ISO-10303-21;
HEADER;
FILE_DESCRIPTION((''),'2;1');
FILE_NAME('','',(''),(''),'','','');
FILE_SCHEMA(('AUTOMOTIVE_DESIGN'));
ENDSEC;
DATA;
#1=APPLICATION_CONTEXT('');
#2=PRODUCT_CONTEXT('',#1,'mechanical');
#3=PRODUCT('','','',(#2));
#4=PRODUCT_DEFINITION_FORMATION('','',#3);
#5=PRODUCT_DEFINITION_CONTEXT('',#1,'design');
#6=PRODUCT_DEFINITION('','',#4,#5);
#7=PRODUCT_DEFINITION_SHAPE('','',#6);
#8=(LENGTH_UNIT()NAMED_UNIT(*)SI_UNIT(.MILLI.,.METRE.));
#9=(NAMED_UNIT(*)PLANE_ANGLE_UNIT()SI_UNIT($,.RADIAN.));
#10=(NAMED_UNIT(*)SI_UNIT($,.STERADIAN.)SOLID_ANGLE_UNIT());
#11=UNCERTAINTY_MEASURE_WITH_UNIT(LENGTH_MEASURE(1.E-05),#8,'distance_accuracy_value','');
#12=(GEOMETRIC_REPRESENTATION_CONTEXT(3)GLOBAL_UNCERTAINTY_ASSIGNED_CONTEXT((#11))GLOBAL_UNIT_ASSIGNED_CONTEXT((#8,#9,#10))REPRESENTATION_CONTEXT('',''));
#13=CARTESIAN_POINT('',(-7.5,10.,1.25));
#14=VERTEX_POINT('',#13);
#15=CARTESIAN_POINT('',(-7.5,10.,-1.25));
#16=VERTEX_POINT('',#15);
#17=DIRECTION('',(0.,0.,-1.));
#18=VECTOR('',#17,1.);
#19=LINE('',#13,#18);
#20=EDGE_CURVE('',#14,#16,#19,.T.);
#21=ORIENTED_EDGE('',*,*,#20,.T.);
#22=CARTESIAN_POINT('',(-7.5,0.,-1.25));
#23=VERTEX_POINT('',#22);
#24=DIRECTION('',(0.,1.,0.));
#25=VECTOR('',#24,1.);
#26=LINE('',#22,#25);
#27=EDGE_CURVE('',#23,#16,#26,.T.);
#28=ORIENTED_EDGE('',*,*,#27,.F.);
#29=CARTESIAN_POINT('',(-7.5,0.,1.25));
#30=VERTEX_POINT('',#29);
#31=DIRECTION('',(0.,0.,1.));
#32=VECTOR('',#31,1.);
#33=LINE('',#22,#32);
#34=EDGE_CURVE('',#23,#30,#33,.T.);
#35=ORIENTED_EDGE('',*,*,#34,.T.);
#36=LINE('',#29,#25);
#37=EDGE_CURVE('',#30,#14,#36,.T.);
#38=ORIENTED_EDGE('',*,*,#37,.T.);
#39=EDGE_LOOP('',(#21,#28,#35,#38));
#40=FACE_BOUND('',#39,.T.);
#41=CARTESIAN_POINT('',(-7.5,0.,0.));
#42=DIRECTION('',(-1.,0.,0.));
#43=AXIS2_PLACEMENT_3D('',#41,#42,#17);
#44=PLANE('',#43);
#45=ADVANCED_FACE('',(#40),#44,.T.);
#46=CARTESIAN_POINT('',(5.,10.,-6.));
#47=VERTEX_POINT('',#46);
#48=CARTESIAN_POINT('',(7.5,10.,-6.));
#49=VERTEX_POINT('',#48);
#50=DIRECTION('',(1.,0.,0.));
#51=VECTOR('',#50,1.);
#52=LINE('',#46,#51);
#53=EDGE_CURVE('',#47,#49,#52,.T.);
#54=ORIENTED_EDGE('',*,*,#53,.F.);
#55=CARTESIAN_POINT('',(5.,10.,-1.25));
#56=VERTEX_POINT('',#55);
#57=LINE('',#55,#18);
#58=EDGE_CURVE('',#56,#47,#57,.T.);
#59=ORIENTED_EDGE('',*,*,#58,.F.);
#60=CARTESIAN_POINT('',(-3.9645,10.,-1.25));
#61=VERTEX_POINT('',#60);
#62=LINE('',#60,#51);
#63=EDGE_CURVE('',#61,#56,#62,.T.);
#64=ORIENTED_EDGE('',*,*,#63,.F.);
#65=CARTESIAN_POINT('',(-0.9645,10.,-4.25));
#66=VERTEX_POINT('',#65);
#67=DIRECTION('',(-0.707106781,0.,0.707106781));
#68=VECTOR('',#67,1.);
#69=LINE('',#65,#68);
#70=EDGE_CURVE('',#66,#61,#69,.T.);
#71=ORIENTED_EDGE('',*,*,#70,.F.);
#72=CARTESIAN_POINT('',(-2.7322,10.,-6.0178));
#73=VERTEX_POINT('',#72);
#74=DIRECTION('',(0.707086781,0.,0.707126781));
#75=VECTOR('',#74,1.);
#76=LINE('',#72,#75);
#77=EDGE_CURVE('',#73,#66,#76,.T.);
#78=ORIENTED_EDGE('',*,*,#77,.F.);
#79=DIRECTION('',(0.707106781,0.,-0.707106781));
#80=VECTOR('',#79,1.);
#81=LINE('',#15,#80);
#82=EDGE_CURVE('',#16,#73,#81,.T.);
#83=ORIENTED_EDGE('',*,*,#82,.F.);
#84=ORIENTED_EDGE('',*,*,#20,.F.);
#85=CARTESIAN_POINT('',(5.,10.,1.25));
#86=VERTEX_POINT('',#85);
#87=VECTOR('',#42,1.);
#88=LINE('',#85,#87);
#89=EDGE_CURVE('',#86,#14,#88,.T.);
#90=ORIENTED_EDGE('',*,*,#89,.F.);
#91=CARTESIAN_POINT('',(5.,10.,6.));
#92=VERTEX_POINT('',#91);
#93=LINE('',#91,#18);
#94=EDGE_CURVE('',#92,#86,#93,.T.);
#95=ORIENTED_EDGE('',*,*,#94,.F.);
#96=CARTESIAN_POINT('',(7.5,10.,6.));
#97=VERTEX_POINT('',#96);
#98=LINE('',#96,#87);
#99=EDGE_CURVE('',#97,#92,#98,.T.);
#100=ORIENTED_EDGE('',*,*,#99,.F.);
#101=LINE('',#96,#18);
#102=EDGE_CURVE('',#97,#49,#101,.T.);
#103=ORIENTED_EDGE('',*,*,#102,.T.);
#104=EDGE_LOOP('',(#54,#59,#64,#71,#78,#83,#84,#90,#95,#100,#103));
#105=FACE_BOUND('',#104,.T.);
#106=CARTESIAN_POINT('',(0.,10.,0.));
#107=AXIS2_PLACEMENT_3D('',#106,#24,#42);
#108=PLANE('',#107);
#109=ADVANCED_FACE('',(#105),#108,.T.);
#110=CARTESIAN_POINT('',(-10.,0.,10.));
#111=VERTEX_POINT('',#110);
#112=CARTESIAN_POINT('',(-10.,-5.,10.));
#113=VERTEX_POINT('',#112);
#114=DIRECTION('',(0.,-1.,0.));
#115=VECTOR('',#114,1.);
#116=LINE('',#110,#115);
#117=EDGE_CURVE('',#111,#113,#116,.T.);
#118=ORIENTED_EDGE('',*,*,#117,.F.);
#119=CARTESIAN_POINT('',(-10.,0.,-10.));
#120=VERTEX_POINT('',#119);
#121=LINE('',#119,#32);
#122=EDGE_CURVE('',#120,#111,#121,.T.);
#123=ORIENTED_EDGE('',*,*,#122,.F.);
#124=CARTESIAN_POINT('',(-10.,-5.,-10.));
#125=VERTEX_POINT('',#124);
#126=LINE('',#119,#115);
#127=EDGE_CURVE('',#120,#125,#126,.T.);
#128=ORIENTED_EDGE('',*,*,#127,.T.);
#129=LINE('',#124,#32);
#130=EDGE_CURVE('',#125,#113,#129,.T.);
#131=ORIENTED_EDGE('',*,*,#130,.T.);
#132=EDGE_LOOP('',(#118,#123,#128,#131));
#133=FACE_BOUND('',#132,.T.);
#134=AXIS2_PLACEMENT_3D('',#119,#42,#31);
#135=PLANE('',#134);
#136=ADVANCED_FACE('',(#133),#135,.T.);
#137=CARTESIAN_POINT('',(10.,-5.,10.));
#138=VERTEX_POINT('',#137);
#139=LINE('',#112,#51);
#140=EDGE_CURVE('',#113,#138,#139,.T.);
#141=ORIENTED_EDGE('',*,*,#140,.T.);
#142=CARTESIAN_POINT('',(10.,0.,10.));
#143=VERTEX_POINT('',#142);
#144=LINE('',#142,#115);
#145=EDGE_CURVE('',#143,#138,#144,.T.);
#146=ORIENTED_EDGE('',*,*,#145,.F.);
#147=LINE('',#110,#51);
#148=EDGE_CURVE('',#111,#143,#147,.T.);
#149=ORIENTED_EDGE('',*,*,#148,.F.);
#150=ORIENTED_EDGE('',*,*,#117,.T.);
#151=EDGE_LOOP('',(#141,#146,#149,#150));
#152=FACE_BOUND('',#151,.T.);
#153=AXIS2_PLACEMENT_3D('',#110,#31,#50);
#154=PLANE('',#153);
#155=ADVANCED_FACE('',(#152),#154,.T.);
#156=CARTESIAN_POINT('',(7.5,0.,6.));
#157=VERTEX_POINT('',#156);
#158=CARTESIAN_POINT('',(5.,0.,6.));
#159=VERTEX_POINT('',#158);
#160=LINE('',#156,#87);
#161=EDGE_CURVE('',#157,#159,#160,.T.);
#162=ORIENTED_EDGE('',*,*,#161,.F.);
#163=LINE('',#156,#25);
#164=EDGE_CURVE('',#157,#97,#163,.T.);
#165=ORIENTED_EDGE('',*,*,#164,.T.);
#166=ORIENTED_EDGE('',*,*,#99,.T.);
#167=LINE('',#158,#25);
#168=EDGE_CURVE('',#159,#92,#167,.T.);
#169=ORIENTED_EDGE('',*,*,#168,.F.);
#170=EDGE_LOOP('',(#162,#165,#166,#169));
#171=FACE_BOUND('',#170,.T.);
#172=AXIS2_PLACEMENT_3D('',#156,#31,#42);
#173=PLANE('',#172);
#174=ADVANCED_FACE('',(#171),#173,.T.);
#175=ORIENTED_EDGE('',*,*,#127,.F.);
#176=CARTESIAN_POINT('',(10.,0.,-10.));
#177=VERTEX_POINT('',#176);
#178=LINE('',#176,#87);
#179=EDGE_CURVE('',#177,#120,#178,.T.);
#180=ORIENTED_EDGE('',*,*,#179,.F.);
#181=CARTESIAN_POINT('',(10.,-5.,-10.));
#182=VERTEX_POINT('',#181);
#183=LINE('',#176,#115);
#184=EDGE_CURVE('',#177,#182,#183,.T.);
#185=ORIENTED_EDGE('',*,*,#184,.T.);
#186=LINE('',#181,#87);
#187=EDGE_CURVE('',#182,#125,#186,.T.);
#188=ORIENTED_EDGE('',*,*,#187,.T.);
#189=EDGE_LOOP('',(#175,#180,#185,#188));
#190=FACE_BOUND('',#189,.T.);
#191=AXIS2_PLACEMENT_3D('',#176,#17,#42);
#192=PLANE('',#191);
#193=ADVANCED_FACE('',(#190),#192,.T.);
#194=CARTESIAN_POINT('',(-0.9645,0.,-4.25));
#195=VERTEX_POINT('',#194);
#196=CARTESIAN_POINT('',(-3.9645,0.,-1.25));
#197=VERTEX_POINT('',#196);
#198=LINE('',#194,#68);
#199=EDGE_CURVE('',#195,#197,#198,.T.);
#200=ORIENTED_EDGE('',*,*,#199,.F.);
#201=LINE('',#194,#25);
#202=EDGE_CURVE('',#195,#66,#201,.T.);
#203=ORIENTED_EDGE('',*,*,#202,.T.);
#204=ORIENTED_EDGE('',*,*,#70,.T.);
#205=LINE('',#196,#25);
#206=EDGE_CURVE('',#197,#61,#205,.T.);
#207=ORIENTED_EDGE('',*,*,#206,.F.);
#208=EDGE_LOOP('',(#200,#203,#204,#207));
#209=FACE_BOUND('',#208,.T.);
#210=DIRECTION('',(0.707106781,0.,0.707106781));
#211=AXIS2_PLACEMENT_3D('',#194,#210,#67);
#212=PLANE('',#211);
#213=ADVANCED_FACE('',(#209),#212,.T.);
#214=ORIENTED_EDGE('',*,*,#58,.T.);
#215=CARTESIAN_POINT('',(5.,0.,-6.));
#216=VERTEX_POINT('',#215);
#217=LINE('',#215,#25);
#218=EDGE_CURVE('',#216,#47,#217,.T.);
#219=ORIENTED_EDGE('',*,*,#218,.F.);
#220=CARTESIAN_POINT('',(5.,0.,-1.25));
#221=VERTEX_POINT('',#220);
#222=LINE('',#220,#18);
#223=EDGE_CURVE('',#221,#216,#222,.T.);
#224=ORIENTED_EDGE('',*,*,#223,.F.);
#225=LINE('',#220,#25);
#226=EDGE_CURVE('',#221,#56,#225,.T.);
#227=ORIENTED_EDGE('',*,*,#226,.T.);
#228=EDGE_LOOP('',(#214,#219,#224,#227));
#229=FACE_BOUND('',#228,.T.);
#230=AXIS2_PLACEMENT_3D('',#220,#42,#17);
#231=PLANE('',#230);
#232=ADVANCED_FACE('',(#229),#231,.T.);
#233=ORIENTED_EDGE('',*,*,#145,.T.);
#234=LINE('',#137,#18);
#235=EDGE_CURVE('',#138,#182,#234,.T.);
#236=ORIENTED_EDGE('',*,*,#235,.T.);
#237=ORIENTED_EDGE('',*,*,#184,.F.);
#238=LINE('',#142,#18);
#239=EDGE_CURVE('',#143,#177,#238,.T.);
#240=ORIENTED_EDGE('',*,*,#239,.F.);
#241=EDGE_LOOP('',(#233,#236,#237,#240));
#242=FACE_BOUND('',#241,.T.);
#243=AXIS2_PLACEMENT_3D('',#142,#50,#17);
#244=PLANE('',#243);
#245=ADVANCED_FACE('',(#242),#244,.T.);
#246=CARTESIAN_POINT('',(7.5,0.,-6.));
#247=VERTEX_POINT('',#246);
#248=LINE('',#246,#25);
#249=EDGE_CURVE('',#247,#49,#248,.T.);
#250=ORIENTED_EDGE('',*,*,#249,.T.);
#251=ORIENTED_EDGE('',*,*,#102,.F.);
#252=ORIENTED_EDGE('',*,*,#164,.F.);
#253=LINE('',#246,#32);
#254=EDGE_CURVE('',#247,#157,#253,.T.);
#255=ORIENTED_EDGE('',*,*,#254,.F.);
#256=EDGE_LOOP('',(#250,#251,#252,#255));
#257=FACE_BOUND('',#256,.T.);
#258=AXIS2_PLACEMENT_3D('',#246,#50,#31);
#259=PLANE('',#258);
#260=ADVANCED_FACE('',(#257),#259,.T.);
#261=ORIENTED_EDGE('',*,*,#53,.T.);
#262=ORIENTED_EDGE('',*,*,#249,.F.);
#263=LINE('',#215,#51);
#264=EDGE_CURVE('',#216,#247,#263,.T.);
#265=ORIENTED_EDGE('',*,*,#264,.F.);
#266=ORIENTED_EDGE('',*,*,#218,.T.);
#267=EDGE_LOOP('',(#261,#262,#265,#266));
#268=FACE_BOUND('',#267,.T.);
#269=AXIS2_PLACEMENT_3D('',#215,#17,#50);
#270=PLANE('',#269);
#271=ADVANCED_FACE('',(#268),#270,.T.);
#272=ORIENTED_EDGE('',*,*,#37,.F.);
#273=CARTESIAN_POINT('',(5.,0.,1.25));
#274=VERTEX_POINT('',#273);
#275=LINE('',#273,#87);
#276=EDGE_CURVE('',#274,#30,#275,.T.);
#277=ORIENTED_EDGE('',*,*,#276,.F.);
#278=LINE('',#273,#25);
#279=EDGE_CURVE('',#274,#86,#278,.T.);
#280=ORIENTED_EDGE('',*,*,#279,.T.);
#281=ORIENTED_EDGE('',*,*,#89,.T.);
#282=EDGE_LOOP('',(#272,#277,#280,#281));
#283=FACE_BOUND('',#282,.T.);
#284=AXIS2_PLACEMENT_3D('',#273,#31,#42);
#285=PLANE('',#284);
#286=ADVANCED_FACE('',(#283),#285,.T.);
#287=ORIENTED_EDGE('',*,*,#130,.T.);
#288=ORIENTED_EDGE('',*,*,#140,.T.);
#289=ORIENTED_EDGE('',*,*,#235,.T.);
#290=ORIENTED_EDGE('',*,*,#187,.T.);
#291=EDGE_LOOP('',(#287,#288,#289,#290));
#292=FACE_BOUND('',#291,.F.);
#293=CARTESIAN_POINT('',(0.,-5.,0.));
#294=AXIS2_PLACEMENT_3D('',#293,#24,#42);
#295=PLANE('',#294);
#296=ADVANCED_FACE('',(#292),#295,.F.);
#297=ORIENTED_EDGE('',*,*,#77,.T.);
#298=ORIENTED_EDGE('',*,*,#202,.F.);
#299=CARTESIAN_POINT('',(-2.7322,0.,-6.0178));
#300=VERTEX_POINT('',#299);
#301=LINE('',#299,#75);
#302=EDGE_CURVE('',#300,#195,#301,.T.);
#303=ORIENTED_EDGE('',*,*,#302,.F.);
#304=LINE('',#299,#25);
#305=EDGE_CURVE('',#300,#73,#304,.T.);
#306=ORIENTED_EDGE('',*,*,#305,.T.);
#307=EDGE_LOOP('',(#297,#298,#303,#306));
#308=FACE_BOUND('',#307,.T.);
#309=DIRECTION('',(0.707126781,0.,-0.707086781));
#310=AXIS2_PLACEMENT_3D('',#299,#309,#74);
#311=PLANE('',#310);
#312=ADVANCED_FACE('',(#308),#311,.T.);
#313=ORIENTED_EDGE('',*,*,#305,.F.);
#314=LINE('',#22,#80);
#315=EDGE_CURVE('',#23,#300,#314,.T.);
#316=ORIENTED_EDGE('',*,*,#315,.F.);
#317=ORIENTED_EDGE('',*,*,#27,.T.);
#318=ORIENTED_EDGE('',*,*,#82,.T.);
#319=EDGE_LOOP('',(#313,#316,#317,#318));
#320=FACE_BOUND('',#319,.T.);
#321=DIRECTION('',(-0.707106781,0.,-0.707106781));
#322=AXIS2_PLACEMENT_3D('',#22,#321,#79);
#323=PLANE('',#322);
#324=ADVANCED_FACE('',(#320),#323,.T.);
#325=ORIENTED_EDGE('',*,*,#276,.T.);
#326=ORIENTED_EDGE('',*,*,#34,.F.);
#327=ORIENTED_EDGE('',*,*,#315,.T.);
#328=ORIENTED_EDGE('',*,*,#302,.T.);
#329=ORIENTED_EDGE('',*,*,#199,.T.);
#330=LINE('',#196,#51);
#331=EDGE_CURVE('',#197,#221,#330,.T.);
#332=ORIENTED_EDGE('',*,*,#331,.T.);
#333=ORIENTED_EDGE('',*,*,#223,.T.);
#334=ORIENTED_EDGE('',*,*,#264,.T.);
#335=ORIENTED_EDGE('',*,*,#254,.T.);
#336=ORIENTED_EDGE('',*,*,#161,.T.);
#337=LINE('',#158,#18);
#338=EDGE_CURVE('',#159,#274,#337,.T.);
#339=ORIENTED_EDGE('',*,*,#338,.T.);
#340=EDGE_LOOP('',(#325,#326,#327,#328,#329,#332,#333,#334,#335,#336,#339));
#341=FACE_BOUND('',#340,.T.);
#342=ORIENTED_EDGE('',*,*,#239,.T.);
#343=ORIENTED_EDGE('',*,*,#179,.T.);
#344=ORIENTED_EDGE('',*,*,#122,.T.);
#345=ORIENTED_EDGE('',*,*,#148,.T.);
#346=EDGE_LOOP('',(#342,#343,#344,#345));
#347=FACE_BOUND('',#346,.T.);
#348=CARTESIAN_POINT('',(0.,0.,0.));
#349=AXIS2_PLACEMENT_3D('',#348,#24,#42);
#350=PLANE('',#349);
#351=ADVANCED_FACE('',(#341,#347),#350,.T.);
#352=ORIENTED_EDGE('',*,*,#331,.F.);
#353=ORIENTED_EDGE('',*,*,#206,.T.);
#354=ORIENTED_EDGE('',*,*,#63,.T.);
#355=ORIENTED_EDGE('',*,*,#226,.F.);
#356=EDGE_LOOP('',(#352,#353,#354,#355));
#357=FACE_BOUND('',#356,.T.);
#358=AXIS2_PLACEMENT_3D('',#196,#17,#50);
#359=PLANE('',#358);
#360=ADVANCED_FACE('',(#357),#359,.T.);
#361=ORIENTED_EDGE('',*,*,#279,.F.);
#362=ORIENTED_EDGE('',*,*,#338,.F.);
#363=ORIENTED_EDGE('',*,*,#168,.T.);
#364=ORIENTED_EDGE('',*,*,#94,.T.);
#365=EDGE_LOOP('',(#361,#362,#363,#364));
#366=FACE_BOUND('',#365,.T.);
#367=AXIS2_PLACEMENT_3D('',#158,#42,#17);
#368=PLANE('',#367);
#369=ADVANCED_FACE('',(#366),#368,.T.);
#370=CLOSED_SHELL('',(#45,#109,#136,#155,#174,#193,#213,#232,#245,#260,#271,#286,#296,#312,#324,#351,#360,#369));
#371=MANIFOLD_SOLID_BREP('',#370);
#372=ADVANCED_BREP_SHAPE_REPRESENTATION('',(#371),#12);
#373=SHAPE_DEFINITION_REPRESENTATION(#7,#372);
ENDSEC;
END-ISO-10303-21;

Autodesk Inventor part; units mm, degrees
ref_plane "YZ Plane" through (0, 0, 0) normal (1, 0, 0) x (0, 1, 0)
ref_plane "XZ Plane" through (0, 0, 0) normal (0, 1, 0) x (-1, 0, 0)
ref_plane "XY Plane" through (0, 0, 0) normal (0, 0, 1) x (1, 0, 0)
sketch "Sketch1" plane through (0, 0, 0) normal (0, 1, 0) x (-1, 0, 0)
  line L0 (-10, -10) -> (10, -10)
  line L1 (10, -10) -> (10, 10)
  line L2 (10, 10) -> (-10, 10)
  line L3 (-10, 10) -> (-10, -10)
  line L4 (-10, -10) -> (10, 10) construction
  line L5 (10, -10) -> (-10, 10) construction
  point P0 (0, 0)
  dimension "d0" = 20
  dimension "d1" = 20
extrude "Extrusion1" add sketch "Sketch1" against normal blind 5
sketch "Sketch2" plane through (0, 0, 0) normal (0, 1, 0) x (-1, 0, 0)
  line L0 (10, -10) -> (10, 10) projected
  line L1 (-10, 10) -> (-10, -10) projected
  line L2 (14, 0) -> (-14, 0) projected
  line L3 (7.5, 1.25) -> (7.5, -1.25)
  line L4 (7.5, -1.25) -> (2.7322, -6.0178)
  line L5 (2.7322, -6.0178) -> (0.9645, -4.25)
  line L6 (0.9645, -4.25) -> (3.9645, -1.25)
  line L7 (3.9645, -1.25) -> (-5, -1.25)
  line L8 (-5, -1.25) -> (-5, -6)
  line L9 (-5, -6) -> (-7.5, -6)
  line L10 (-7.5, -6) -> (-7.5, 6)
  line L11 (-7.5, 6) -> (-5, 6)
  line L12 (-5, 6) -> (-5, 1.25)
  line L13 (-5, 1.25) -> (7.5, 1.25)
  point P0 (0, 0)
  dimension "d13" = 2.5
  dimension "d14" = 2.5
  dimension "d15" = 2.5
  dimension "d16" = 2.5
  dimension "d17" = 3
  dimension "d18" = 12
  dimension "d19" = 2.5
  dimension "d20" = 2.5
  dimension "d21" = 45
extrude "Extrusion2" add sketch "Sketch2" along normal blind 10
properties part number "1"
